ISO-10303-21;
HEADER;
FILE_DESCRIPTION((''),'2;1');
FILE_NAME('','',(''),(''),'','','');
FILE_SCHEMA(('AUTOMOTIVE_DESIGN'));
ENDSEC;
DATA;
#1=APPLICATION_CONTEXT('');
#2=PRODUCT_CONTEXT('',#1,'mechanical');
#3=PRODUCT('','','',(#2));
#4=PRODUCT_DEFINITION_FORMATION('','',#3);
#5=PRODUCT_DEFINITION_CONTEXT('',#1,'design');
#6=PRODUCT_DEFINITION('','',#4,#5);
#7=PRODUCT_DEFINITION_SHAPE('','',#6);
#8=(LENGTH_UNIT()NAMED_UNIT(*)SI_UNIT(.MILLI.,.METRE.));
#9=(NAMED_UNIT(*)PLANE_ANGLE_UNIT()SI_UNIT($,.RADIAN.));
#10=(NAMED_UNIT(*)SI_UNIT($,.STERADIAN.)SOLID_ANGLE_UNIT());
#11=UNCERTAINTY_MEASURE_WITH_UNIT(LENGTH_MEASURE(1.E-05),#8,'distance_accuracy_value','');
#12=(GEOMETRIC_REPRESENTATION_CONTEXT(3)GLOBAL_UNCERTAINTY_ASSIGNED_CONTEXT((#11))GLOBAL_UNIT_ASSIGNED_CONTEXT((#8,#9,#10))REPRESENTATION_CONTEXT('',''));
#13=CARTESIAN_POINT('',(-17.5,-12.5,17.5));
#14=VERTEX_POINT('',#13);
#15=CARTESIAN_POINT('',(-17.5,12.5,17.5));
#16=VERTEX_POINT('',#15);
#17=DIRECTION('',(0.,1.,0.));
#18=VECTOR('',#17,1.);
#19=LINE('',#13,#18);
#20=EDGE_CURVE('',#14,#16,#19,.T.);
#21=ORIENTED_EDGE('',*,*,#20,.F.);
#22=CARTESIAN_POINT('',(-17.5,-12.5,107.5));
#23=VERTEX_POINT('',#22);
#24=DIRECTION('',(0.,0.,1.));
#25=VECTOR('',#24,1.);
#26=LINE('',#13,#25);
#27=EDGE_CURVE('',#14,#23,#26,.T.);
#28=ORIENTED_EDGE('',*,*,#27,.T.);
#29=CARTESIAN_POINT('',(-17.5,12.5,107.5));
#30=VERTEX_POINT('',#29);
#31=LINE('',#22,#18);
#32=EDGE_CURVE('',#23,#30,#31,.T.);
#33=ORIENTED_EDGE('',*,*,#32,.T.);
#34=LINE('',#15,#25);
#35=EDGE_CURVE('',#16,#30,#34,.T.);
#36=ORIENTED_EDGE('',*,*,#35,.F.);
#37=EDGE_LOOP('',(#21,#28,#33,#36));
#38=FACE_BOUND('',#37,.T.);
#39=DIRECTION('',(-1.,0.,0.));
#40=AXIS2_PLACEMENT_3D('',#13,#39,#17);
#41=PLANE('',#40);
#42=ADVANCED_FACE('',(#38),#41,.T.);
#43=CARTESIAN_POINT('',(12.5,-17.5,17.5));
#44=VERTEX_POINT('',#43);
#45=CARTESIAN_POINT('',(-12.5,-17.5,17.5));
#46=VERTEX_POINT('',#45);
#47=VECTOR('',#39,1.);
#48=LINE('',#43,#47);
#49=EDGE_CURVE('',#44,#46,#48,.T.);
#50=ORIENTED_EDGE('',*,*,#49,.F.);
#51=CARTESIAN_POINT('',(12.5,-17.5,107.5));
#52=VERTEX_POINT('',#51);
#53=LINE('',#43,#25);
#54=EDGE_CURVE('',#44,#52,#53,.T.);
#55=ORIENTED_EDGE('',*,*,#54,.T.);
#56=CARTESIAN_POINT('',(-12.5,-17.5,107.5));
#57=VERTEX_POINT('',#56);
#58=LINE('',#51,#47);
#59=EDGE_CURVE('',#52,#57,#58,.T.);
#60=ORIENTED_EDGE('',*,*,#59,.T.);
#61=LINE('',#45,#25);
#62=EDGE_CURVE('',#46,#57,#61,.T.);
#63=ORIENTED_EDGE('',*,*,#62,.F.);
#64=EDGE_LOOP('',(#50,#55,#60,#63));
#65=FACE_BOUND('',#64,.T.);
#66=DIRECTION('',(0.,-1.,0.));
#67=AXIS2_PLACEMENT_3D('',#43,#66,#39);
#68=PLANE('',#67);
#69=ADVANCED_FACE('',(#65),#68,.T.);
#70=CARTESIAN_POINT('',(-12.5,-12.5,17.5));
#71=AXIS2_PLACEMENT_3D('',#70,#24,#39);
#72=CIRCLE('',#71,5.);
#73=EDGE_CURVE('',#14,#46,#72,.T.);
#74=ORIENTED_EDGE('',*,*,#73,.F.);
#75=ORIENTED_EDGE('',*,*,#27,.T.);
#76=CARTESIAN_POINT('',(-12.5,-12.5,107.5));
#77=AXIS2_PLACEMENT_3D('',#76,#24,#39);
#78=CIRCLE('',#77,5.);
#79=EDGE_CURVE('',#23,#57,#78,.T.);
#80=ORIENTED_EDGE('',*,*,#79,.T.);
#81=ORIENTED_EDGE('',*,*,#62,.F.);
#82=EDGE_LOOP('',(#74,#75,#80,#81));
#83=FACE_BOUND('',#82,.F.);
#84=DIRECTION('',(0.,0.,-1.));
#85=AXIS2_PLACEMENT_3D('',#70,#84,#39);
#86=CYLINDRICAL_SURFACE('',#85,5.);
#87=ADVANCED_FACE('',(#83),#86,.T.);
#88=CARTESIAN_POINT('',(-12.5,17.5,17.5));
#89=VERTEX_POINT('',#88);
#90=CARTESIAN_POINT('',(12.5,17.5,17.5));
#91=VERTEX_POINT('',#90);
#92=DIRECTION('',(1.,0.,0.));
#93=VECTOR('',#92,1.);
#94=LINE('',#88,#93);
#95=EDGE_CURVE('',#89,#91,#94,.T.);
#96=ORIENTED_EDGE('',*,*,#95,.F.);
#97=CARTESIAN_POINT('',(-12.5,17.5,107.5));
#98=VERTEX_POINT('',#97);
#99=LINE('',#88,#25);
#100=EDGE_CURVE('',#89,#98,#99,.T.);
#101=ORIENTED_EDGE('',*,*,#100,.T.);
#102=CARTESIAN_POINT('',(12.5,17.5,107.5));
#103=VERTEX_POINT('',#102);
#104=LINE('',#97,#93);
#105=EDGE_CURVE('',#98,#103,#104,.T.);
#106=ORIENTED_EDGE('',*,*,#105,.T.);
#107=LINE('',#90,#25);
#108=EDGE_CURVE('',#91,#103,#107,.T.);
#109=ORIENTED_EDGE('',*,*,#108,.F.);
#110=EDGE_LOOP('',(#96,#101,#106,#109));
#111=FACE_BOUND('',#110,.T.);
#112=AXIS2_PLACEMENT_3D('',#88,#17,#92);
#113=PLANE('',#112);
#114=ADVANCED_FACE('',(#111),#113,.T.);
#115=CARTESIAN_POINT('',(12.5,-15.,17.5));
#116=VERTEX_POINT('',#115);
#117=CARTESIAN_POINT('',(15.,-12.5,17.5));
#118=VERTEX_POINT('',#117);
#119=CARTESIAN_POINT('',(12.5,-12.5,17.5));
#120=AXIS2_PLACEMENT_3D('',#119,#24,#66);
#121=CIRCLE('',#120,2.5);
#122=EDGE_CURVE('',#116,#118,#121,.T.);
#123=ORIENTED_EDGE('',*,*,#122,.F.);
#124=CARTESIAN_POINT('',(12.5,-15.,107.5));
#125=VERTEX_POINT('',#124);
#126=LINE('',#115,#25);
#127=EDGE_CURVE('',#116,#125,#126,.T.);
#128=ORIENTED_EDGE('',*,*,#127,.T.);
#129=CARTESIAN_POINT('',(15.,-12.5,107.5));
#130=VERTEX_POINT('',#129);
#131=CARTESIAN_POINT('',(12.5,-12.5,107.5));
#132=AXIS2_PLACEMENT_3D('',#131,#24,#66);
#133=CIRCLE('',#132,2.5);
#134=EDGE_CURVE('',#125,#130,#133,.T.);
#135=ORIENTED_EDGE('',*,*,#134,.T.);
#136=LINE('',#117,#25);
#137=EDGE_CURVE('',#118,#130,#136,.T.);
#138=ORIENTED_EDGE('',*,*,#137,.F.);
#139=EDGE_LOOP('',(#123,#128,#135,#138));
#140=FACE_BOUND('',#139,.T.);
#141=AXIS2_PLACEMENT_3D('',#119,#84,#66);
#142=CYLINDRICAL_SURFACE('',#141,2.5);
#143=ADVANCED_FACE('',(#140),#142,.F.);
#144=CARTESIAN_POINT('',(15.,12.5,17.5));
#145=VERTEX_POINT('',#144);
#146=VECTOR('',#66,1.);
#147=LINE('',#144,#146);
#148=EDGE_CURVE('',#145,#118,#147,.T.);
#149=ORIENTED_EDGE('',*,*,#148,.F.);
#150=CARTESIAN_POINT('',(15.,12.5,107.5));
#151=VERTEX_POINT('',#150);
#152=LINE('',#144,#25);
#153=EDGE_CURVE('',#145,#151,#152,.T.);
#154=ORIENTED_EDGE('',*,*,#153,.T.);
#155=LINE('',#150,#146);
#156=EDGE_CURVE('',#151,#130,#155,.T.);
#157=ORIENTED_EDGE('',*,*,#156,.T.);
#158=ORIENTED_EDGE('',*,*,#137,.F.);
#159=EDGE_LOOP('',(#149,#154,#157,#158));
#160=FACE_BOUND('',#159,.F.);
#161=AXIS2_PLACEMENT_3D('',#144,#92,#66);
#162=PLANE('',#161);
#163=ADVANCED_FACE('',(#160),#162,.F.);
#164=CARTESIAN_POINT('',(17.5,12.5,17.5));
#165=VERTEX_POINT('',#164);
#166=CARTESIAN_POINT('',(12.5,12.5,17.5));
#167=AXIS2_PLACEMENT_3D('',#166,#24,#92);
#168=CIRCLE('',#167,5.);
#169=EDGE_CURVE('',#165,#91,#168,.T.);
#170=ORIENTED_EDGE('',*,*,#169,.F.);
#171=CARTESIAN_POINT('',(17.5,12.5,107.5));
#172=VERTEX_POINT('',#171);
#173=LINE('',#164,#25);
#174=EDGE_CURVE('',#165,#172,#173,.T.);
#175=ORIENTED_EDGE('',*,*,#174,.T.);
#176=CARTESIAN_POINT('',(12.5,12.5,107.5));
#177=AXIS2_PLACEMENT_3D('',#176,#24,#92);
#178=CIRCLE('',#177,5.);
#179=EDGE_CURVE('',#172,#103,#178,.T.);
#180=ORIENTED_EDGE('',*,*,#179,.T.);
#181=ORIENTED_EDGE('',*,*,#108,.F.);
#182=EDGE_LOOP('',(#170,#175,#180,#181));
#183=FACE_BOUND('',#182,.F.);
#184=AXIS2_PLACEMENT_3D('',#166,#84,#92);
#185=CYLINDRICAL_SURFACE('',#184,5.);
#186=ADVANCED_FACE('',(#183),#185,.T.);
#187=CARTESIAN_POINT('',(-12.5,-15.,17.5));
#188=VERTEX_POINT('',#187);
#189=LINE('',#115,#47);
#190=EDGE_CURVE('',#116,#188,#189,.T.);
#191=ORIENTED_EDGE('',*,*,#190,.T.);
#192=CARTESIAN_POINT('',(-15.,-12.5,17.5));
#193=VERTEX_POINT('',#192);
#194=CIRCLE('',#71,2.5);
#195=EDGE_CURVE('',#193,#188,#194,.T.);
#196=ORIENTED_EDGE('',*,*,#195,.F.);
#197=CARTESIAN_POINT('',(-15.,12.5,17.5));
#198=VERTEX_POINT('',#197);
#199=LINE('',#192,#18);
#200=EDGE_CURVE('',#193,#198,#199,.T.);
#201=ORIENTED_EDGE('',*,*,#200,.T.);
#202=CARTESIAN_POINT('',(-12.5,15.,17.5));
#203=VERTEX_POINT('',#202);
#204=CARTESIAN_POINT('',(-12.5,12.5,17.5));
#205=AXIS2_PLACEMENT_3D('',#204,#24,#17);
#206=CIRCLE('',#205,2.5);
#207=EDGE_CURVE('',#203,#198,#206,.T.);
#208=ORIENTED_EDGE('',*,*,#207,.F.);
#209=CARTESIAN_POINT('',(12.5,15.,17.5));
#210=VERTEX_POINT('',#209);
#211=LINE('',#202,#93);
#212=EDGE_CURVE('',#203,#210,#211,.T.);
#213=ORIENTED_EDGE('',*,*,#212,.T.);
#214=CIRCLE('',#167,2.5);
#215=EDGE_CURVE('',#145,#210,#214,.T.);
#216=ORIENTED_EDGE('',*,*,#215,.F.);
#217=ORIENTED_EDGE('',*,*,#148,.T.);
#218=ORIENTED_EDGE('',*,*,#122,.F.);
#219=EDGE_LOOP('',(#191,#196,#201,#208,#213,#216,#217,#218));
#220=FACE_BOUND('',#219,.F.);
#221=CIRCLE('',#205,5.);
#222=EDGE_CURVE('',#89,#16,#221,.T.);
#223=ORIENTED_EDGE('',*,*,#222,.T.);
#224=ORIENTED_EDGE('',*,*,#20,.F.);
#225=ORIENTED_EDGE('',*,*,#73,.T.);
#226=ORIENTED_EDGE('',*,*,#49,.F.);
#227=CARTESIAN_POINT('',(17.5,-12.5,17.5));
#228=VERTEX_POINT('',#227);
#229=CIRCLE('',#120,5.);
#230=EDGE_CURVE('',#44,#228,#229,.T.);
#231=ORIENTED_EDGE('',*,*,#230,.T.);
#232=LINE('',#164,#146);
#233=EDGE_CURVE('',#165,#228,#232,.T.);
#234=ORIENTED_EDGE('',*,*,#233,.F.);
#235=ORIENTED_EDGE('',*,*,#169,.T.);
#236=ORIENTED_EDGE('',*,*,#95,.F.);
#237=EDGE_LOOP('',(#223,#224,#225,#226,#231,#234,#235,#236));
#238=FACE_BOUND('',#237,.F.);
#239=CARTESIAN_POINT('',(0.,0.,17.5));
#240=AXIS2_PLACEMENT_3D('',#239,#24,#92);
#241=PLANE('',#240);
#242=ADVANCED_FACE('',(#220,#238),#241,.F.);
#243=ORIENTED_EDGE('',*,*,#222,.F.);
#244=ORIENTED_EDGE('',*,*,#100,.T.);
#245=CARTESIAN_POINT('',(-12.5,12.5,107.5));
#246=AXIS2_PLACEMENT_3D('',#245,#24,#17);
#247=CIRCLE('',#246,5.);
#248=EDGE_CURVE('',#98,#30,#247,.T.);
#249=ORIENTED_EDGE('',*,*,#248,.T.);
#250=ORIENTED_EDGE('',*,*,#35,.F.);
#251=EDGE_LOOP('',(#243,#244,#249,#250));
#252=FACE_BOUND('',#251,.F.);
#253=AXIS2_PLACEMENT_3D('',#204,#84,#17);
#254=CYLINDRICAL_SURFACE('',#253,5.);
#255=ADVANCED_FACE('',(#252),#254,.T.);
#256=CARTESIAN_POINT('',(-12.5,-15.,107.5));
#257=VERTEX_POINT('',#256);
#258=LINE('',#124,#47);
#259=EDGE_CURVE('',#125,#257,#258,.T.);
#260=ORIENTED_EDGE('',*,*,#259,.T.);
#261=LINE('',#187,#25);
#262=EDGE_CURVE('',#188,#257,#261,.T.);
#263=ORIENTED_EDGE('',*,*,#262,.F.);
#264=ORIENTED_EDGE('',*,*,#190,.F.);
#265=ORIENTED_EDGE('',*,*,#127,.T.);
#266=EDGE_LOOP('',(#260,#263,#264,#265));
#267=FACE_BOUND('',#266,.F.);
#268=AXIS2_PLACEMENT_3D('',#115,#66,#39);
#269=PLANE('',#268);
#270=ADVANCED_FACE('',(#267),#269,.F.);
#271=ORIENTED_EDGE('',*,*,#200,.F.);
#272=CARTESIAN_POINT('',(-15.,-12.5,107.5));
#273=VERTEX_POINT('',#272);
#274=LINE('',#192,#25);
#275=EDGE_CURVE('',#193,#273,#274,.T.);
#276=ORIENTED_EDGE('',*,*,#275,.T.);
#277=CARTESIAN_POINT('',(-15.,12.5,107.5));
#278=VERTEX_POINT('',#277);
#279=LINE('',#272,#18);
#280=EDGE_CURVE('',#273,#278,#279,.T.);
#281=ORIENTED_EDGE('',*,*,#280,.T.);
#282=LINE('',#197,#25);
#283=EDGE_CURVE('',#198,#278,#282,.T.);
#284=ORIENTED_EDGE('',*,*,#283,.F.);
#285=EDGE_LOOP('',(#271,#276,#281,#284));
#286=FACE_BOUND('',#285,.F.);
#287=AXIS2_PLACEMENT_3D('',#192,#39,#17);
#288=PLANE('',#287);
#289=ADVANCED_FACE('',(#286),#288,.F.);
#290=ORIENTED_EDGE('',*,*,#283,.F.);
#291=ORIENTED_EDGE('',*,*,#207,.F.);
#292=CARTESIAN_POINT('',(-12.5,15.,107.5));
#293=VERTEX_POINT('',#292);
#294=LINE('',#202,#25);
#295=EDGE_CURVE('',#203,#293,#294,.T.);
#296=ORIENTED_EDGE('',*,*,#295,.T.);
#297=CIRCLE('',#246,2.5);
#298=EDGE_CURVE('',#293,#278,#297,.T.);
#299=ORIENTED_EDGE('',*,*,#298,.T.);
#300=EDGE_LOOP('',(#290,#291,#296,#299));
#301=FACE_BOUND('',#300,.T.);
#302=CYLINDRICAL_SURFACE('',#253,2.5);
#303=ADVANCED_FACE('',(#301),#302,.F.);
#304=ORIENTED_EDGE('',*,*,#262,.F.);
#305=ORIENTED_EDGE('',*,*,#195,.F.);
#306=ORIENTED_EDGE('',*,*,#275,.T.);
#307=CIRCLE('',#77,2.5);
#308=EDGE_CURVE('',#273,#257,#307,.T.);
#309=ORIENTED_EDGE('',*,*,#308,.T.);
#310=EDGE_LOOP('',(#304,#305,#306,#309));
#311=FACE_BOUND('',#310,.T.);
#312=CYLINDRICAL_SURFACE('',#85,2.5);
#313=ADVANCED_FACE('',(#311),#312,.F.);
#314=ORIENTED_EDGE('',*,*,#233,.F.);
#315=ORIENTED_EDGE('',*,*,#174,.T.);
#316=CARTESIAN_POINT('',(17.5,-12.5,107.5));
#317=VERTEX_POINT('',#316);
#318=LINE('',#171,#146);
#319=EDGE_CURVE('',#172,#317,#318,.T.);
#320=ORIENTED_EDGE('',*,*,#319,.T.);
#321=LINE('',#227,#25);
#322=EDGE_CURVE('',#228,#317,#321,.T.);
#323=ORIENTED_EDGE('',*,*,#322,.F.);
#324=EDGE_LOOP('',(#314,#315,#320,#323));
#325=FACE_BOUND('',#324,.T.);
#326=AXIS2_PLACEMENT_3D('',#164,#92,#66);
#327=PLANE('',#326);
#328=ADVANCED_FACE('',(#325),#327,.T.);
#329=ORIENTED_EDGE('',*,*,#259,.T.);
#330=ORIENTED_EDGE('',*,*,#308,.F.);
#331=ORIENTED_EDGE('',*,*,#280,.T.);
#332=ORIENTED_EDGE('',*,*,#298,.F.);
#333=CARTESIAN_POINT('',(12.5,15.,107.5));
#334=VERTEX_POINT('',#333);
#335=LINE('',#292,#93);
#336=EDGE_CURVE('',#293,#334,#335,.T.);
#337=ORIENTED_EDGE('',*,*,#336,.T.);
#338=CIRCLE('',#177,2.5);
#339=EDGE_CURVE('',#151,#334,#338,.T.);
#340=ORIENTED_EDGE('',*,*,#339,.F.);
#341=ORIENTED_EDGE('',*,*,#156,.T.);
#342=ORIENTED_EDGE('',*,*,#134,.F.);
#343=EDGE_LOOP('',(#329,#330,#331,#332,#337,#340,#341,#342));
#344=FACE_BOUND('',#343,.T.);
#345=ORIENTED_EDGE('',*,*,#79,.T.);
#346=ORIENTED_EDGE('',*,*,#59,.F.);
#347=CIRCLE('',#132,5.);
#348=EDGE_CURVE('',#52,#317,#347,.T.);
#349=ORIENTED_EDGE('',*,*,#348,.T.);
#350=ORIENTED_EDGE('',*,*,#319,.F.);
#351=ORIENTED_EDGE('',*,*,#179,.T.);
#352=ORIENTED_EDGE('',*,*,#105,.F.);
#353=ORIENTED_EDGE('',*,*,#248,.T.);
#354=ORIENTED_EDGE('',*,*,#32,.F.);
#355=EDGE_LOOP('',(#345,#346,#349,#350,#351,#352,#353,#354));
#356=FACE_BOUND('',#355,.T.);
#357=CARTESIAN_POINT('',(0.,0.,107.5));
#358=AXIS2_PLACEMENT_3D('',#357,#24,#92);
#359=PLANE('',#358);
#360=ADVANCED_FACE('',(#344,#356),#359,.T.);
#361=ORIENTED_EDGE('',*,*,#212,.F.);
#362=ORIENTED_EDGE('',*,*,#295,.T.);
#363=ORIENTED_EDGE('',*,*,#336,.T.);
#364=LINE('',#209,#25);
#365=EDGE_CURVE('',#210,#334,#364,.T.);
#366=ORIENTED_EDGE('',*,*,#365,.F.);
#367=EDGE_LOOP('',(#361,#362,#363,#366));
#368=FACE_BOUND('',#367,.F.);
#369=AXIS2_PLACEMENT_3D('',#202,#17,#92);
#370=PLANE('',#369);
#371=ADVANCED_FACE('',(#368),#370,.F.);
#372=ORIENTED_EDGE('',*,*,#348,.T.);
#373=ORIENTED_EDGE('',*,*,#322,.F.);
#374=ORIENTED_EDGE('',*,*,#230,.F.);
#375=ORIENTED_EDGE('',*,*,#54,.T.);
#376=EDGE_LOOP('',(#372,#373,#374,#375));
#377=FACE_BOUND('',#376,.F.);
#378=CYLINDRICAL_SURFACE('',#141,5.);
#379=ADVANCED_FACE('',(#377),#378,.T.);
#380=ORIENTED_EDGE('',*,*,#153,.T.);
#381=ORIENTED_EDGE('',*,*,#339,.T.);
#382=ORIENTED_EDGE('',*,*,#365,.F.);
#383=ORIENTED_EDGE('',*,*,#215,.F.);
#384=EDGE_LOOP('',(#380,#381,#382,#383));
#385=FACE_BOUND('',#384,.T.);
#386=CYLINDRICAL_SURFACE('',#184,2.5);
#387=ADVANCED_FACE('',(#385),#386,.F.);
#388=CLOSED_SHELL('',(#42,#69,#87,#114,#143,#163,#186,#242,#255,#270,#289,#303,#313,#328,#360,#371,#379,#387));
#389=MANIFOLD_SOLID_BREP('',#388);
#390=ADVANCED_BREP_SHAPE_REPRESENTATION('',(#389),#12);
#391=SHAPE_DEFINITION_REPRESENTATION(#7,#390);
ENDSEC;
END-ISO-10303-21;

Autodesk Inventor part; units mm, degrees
ref_plane "Start plane" through (0, 0, 17.5) normal (0, 0, 1) x (1, 0, 0)
ref_plane "End plane" through (0, 0, 107.5) normal (0, 0, 1) x (1, 0, 0)
sketch "Sketch" plane through (0, 0, 0) normal (0, 0, 1) x (1, 0, 0)
  line L0 (-17.5, -12.5) -> (-17.5, 12.5)
  line L1 (-12.5, 17.5) -> (12.5, 17.5)
  line L2 (17.5, 12.5) -> (17.5, -12.5)
  line L3 (12.5, -17.5) -> (-12.5, -17.5)
  arc A0 (-17.5, -12.5) -> (-12.5, -17.5) centre (-12.5, -12.5) ccw
  arc A1 (-12.5, 17.5) -> (-17.5, 12.5) centre (-12.5, 12.5) ccw
  arc A2 (17.5, 12.5) -> (12.5, 17.5) centre (12.5, 12.5) ccw
  arc A3 (12.5, -17.5) -> (17.5, -12.5) centre (12.5, -12.5) ccw
  arc A4 (-12.5, 15) -> (-15, 12.5) centre (-12.5, 12.5) ccw
  line L4 (-12.5, 15) -> (12.5, 15)
  arc A5 (15, 12.5) -> (12.5, 15) centre (12.5, 12.5) ccw
  line L5 (15, 12.5) -> (15, -12.5)
  arc A6 (12.5, -15) -> (15, -12.5) centre (12.5, -12.5) ccw
  line L6 (12.5, -15) -> (-12.5, -15)
  arc A7 (-15, -12.5) -> (-12.5, -15) centre (-12.5, -12.5) ccw
  line L7 (-15, -12.5) -> (-15, 12.5)
  line L8 (0, 25.4278) -> (0, -25.4278) construction
  line L9 (-25.4278, 0) -> (25.4278, 0) construction
  dimension "d7" = 5
  dimension "d10" = 35
  dimension "d11" = 35
  dimension "d12" = 2.5
  dimension "d15" = 17.5
  dimension "d16" = 17.5
extrude "Body" add sketch "Sketch" along normal up to surface (90 mm away) from surface at 17.5
sketch "Sketch3" plane through (0, 0, 0) normal (0, 0, 1) x (1, 0, 0)
  line L0 (0, 0) -> (10, 0)
ref_plane "Work Plane3" through (0, 0, 0) normal (0, -1, 0) x (1, 0, 0)
sketch "Sketch4" plane through (0, 0, 0) normal (0, -1, 0) x (1, 0, 0)
  line L0 (-2, 17.5) -> (12, 17.5)
  line L1 (-2, 107.5) -> (12, 107.5)
  dimension "d18" = 90
ref_plane "Work Plane4" through (0, -12.5, 17.5) normal (0, 0, -1) x (-1, 0, 0)
split "Split1" plane through (0, -12.5, 17.5) removes the side toward (0, 0, -1)
ref_plane "Work Plane5" through (0, -61.0189, 107.5) normal (0, 0, 1) x (1, 0, 0)
split "Split2" plane through (0, -61.0189, 107.5) removes the side toward (0, 0, 1)
equation "\"d7\" = G_IR"
equation "\"d10\" = G_H"
equation "\"d11\" = G_W"
equation "\"d12\" = G_T"
equation "\"d15\" = 0.5 * d10"
equation "\"d16\" = 0.5 * d11"
equation "\"d3\" = G_L"
equation "\"G_W\" = 35"
equation "\"G_H\" = 35"
equation "\"G_T\" = 2.5"
equation "\"G_IR\" = 5"
equation "\"G_L\" = d18"
equation "\"G_OFFSET_START\" = -17.5"
equation "\"G_OFFSET_END\" = -17.5"
equation "\"d13\" = -G_OFFSET_START"
equation "\"d14\" = G_OFFSET_END + B_L"
equation "\"B_L\" = 125"
properties part number "AS 1163 - C350L0 35x35x2.5 SHS - 90" material "Steel, Mild"
